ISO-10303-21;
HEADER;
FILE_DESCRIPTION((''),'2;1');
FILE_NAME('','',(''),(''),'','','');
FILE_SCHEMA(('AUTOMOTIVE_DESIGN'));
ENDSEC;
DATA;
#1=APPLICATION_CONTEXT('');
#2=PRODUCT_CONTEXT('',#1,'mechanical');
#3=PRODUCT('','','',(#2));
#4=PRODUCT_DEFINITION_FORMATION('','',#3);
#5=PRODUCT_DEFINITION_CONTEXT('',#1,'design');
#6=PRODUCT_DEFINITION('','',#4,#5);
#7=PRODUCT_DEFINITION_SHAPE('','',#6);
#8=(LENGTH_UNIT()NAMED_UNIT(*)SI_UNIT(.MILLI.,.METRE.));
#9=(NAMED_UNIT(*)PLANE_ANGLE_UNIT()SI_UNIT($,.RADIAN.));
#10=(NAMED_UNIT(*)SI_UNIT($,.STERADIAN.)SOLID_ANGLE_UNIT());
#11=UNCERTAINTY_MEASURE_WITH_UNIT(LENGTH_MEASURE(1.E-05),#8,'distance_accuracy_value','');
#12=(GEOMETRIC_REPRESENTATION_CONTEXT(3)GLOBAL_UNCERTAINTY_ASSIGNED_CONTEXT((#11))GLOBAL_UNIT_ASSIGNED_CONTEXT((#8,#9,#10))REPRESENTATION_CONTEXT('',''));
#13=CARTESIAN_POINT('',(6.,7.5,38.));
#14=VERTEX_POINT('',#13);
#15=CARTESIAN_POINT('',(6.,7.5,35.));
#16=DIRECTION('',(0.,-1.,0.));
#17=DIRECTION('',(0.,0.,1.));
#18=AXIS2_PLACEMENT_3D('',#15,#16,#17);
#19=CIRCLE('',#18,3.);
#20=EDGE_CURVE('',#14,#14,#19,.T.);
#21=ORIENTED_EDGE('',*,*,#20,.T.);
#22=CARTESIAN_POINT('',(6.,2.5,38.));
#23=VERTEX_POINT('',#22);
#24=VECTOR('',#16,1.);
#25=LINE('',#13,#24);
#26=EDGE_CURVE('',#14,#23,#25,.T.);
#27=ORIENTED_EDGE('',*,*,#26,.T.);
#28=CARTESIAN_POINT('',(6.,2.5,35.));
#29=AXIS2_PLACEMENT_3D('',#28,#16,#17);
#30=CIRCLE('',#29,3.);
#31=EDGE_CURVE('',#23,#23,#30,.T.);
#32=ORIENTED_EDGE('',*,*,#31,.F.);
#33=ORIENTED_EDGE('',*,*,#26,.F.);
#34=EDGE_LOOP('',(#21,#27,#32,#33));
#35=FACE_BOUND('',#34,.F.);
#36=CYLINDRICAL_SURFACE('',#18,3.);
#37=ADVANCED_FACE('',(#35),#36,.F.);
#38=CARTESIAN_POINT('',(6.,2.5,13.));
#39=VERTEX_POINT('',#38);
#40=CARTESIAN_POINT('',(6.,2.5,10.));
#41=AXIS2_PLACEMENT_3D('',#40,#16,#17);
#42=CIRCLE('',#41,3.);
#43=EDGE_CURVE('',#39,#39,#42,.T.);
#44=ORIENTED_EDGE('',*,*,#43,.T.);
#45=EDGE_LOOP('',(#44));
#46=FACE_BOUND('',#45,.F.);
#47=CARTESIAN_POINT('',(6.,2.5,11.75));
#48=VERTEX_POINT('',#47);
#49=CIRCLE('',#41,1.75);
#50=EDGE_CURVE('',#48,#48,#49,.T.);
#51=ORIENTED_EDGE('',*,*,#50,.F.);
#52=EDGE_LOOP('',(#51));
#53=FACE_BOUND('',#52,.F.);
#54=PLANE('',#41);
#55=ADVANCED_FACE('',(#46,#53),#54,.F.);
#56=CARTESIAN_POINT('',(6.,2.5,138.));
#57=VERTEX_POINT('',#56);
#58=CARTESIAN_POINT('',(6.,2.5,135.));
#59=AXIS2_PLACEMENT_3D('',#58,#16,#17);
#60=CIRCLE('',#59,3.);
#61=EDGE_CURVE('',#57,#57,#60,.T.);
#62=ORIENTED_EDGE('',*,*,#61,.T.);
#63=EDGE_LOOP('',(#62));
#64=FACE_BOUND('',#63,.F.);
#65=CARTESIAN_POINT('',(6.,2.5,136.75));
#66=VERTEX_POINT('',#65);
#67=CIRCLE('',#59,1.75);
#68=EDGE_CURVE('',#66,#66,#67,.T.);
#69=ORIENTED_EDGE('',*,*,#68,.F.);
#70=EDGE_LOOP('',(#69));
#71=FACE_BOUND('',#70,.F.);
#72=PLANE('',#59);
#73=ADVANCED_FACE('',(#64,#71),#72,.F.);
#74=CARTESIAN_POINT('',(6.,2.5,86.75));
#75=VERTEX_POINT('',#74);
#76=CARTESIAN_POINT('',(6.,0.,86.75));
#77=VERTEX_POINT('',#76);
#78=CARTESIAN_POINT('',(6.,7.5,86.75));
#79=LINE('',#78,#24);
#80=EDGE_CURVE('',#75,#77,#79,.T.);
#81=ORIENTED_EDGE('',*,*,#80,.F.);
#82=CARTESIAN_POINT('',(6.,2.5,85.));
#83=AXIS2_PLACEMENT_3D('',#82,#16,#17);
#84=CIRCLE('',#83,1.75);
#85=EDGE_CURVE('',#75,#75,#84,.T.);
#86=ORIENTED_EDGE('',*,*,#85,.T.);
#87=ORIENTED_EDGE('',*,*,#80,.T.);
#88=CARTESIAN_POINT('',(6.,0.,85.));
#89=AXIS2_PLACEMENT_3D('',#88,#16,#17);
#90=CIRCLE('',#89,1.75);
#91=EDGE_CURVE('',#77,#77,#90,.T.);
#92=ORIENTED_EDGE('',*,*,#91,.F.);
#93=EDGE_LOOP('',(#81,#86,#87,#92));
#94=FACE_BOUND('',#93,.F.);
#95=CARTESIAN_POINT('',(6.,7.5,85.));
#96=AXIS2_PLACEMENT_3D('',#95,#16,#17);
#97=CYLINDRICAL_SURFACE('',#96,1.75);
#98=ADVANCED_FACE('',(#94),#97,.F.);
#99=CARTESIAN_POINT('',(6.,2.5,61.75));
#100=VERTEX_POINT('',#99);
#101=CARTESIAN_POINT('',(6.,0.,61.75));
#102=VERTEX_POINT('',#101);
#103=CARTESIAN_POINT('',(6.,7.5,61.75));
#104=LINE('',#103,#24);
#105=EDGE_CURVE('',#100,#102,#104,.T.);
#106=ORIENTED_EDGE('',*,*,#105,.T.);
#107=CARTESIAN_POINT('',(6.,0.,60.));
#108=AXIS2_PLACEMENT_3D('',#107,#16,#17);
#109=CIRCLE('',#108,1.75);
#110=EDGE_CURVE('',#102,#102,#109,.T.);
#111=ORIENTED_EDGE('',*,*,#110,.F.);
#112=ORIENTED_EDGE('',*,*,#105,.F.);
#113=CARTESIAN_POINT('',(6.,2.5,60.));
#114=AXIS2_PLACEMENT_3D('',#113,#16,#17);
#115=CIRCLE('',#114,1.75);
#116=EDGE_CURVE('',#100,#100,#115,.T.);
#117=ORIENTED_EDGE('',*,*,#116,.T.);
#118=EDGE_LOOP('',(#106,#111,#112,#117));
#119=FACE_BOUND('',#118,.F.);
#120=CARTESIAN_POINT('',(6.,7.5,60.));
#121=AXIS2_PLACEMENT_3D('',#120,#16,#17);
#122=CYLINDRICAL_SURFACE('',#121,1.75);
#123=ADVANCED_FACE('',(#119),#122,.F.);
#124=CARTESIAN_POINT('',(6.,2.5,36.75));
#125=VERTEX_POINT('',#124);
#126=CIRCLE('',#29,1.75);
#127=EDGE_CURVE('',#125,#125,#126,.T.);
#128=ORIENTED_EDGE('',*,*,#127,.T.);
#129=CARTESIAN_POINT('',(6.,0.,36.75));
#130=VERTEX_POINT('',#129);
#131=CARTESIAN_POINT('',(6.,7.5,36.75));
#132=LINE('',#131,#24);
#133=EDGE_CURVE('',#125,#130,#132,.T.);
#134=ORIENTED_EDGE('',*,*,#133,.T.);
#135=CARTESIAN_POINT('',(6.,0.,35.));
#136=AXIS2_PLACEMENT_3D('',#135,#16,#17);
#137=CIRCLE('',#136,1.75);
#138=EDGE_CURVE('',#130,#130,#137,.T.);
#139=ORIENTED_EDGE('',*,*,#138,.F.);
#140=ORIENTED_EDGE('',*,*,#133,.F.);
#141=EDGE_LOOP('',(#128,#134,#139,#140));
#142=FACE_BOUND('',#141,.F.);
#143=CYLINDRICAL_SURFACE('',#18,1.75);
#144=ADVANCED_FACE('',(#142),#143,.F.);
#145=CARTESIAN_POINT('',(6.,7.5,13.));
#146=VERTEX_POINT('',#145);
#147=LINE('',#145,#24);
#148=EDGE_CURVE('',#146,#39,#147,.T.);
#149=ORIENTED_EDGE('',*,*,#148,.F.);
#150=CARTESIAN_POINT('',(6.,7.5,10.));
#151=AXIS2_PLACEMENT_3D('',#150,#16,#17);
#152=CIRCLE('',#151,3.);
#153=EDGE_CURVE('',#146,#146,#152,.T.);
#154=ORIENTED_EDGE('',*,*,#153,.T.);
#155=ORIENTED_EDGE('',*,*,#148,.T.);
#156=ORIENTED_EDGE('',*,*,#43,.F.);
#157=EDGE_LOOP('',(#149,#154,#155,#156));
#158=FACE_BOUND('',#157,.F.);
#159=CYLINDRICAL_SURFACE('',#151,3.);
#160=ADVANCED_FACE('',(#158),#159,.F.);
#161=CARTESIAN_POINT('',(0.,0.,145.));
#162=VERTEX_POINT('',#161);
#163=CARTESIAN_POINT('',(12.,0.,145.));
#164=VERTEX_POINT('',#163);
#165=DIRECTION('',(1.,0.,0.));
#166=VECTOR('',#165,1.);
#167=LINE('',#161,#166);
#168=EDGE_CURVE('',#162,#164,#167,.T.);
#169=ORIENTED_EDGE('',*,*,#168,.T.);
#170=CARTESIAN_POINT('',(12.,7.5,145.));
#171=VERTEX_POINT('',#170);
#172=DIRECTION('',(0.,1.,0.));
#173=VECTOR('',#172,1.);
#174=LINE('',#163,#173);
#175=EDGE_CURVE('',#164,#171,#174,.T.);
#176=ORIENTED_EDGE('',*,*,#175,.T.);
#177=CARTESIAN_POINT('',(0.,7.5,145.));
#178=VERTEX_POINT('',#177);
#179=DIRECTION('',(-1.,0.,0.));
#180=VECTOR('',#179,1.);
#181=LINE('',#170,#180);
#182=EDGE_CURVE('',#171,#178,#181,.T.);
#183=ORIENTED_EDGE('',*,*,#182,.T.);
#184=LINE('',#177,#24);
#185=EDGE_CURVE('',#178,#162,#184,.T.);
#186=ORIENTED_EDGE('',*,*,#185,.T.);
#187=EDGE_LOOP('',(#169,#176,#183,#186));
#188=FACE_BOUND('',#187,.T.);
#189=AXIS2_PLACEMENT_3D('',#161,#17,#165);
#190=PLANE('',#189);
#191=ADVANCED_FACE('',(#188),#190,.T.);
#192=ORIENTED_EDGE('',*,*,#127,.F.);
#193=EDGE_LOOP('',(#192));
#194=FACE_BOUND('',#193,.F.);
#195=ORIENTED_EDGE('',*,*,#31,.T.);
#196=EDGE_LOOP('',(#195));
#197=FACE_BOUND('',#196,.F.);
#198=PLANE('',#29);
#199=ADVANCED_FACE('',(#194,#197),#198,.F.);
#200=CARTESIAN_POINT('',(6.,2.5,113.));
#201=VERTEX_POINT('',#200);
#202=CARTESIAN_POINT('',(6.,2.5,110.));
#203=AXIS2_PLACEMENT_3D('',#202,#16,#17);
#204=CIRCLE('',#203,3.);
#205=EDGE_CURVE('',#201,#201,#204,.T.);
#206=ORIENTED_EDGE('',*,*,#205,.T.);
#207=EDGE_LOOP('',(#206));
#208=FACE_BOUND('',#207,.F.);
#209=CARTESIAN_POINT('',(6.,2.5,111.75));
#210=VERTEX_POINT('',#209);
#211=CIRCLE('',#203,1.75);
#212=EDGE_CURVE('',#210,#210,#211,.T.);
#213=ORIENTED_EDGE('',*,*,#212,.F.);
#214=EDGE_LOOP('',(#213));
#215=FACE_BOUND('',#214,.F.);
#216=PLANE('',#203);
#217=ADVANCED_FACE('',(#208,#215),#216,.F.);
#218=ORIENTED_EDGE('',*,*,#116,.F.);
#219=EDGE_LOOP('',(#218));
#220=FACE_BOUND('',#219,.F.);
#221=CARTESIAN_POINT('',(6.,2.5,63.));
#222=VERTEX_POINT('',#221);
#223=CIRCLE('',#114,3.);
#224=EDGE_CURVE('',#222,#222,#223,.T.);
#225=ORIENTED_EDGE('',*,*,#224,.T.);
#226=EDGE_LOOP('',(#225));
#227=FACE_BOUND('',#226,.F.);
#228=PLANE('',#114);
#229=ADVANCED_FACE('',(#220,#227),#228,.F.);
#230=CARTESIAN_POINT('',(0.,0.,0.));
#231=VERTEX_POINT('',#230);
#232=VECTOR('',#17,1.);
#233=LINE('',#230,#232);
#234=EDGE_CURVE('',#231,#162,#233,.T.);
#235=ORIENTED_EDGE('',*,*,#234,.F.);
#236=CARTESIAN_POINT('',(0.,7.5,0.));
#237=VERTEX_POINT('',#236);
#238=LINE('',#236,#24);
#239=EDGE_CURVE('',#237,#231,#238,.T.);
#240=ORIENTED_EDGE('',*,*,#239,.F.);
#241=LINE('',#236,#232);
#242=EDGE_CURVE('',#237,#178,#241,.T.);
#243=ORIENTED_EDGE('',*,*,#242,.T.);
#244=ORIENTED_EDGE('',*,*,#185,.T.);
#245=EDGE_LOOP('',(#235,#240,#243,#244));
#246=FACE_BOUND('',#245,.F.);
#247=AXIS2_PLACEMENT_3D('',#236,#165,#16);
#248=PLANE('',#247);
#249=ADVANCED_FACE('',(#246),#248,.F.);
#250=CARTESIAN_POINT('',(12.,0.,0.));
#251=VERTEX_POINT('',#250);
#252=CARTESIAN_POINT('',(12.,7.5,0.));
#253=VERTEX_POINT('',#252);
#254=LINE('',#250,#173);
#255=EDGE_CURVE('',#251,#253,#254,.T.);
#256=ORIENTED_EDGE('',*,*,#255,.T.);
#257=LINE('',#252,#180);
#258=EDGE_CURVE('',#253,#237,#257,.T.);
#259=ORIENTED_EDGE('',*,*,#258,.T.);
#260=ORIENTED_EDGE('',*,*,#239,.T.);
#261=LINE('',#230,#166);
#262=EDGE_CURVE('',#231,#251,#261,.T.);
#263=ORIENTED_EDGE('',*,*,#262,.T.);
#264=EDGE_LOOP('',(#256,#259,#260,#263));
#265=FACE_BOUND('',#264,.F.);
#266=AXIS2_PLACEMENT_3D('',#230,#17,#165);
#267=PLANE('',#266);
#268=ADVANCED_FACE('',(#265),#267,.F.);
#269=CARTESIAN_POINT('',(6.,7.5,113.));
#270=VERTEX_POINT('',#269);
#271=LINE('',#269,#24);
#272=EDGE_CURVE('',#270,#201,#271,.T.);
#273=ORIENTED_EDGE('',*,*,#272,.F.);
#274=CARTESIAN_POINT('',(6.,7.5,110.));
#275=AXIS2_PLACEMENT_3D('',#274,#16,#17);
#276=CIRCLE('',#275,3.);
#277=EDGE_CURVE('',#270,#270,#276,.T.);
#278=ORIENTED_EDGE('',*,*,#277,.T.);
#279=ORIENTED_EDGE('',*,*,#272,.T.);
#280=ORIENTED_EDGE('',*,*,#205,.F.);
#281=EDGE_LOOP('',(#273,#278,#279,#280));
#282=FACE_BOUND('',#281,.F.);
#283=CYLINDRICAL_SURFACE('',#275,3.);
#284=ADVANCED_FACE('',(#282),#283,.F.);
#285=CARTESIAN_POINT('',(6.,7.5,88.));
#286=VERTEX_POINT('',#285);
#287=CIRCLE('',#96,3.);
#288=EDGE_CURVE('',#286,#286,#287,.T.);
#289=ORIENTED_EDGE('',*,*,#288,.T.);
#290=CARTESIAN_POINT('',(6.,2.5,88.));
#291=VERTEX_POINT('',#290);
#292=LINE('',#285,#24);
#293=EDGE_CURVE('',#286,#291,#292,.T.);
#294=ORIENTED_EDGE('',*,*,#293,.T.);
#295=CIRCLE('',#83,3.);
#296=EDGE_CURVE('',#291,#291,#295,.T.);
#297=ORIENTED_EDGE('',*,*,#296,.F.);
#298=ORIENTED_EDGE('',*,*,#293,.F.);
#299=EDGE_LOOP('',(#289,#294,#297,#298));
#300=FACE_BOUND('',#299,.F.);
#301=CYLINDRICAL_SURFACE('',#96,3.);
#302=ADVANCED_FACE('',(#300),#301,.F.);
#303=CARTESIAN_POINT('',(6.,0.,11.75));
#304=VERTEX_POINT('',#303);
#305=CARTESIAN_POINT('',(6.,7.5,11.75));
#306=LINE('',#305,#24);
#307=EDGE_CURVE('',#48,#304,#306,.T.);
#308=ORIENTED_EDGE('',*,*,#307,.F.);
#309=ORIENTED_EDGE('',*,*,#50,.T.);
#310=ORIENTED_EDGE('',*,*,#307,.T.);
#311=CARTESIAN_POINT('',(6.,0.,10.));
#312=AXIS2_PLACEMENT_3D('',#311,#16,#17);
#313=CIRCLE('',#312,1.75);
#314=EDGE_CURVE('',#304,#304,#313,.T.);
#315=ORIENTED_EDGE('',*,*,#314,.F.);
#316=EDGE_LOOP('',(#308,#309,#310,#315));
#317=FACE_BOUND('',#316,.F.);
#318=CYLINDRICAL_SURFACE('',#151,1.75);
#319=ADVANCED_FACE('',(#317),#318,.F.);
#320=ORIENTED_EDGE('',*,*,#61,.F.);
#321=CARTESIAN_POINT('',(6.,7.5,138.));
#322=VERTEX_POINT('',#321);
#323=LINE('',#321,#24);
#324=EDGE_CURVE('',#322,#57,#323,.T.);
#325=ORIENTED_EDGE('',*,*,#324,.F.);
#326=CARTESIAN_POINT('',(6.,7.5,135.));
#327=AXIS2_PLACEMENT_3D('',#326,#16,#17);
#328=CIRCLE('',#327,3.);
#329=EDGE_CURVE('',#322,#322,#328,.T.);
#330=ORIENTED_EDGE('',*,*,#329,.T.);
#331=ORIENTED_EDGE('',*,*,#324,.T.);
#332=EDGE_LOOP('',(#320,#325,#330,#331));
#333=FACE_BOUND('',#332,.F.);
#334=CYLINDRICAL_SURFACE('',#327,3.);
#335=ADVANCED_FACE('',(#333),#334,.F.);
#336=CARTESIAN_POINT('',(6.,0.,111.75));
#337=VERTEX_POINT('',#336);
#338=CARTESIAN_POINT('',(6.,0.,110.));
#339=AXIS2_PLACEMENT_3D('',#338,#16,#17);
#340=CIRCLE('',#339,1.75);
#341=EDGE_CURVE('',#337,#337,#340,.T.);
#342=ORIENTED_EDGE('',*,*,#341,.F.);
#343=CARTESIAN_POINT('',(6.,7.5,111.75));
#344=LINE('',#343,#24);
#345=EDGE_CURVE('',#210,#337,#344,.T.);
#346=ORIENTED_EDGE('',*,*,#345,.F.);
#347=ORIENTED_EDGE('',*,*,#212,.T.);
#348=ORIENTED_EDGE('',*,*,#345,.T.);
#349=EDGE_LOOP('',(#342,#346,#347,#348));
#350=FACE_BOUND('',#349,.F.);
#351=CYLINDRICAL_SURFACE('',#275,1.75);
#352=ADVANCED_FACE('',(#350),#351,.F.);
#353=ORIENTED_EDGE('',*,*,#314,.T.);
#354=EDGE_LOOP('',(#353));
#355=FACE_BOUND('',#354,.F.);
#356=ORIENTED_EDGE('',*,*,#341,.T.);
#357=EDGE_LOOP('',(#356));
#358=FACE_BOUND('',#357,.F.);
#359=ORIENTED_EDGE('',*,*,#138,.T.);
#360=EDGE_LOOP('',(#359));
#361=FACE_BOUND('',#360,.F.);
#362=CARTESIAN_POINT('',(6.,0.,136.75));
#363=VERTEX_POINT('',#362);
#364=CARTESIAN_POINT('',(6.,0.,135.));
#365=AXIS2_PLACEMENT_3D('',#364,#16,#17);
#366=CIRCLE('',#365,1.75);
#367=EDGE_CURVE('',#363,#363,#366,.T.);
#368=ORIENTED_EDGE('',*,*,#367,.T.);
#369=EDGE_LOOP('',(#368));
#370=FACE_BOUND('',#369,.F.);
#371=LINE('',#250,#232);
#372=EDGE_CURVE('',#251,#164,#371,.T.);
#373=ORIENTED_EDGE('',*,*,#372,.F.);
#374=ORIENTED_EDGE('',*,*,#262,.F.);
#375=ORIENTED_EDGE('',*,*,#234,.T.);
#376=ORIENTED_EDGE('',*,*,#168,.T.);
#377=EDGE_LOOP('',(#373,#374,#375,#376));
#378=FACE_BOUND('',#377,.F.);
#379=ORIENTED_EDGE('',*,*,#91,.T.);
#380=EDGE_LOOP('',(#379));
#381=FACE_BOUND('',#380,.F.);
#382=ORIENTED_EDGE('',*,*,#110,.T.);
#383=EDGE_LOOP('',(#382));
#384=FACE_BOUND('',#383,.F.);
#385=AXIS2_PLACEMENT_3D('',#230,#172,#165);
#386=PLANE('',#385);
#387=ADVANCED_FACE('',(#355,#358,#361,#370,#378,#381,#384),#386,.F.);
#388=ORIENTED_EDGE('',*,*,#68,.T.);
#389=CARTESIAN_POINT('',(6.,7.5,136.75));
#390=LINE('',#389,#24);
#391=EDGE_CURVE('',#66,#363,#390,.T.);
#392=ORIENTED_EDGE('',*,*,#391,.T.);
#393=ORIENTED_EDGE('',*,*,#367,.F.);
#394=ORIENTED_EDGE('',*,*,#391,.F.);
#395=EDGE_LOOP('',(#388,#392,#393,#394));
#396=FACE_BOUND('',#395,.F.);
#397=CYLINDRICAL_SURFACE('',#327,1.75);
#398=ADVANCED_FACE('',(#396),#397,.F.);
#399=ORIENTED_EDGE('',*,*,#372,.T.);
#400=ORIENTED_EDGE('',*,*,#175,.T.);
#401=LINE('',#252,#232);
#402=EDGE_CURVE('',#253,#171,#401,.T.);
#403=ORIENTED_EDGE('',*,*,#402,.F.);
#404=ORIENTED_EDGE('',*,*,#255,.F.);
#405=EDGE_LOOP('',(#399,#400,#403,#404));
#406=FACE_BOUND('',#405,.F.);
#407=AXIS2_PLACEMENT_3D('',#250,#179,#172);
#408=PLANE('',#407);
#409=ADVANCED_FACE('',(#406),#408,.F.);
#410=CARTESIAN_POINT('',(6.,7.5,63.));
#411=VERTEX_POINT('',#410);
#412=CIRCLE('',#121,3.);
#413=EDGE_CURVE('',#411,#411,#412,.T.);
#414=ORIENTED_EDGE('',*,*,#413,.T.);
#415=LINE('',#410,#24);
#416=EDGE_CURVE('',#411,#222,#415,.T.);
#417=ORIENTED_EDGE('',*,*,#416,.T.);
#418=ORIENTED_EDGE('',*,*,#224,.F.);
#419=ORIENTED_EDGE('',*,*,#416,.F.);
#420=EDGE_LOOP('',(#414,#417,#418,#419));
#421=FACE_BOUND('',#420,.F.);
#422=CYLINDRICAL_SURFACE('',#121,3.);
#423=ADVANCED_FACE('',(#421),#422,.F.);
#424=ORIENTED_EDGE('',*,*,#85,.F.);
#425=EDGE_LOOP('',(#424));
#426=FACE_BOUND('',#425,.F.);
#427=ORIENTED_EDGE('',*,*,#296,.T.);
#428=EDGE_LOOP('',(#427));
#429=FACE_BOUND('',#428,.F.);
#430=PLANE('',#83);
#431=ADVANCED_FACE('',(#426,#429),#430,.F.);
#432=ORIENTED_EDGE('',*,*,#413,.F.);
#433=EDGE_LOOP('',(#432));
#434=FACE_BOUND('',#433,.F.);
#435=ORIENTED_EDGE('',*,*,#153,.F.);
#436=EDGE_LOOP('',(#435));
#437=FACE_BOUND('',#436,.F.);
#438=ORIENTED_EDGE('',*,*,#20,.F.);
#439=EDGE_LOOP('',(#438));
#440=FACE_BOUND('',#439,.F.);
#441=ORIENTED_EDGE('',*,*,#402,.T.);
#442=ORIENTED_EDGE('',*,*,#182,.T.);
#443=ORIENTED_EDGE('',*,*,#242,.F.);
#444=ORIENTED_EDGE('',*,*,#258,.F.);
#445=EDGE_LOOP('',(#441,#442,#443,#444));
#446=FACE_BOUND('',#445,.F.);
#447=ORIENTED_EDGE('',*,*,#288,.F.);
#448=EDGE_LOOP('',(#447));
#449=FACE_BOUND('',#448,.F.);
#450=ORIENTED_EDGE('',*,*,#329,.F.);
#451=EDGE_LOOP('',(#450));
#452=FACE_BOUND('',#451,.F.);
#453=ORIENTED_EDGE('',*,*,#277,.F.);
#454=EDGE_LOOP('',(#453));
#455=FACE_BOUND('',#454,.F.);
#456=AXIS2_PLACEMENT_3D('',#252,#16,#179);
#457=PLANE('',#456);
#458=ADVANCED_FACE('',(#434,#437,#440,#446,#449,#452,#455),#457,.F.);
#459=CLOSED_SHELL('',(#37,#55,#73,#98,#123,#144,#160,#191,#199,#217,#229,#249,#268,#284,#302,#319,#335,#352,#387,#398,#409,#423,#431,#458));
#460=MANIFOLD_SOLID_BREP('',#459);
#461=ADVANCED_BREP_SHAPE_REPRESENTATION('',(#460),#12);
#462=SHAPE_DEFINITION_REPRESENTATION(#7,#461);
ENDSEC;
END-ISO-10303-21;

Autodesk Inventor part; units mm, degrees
ref_plane "YZ Plane" through (0, 0, 0) normal (1, 0, 0) x (0, 1, 0)
ref_plane "XZ Plane" through (0, 0, 0) normal (0, 1, 0) x (-1, 0, 0)
ref_plane "XY Plane" through (0, 0, 0) normal (0, 0, 1) x (1, 0, 0)
sketch "スケッチ1" plane through (0, 0, 0) normal (0, 0, 1) x (1, 0, 0)
  line L0 (0, 0) -> (12, 0)
  line L1 (12, 0) -> (12, 7.5)
  line L2 (12, 7.5) -> (0, 7.5)
  line L3 (0, 7.5) -> (0, 0)
  dimension "d0" = 12
  dimension "d1" = 7.5
extrude "押し出し1" add sketch "スケッチ1" along normal blind 145
sketch "スケッチ2" plane through (0, 7.5, 0) normal (0, 1, 0) x (1, 0, 0)
  line L0 (12, -145) -> (0, -145) projected
  line L1 (6, -145) -> (6, 0)
  line L2 (12, 0) -> (0, 0) projected
  point P0 (6, -10)
  point P1 (6, -135)
  point P2 (6, -110)
  point P3 (6, -85)
  point P4 (6, -60)
  point P5 (6, -35)
  dimension "d4" = 10
  dimension "d5" = 10
  dimension "d6" = 25
  dimension "d7" = 25
  dimension "d8" = 25
  dimension "d9" = 25
  dimension "d10" = 25
hole "穴1" at (6, 7.5, 10) at (6, 7.5, 135) at (6, 7.5, 110) at (6, 7.5, 85) at (6, 7.5, 60) at (6, 7.5, 35) direction (0, -1, 0) diameter 3.5 end through all
sketch "スケッチ3" plane through (0, 7.5, 0) normal (0, 1, 0) x (1, 0, 0)
  line L0 (12, -145) -> (0, -145)
  line L1 (6, -145) -> (6, 0)
  line L2 (12, 0) -> (0, 0)
  point P0 (6, -10)
  point P1 (6, -135)
  point P2 (6, -110)
  point P3 (6, -85)
  point P4 (6, -60)
  point P5 (6, -35)
  dimension "d18" = 10
  dimension "d19" = 10
  dimension "d20" = 25
  dimension "d21" = 25
  dimension "d22" = 25
  dimension "d23" = 25
  dimension "d24" = 25
hole "穴2" at (6, 7.5, 10) at (6, 7.5, 135) at (6, 7.5, 110) at (6, 7.5, 60) at (6, 7.5, 35) at (6, 7.5, 85) direction (0, -1, 0) diameter 6 depth 5
equation "\"d7\" = d6"
equation "\"d8\" = d6"
equation "\"d9\" = d6"
equation "\"d21\" = d20"
equation "\"d22\" = d20"
equation "\"d23\" = d20"
properties part number "slider" material "アルミニウム 6061-AHC"
